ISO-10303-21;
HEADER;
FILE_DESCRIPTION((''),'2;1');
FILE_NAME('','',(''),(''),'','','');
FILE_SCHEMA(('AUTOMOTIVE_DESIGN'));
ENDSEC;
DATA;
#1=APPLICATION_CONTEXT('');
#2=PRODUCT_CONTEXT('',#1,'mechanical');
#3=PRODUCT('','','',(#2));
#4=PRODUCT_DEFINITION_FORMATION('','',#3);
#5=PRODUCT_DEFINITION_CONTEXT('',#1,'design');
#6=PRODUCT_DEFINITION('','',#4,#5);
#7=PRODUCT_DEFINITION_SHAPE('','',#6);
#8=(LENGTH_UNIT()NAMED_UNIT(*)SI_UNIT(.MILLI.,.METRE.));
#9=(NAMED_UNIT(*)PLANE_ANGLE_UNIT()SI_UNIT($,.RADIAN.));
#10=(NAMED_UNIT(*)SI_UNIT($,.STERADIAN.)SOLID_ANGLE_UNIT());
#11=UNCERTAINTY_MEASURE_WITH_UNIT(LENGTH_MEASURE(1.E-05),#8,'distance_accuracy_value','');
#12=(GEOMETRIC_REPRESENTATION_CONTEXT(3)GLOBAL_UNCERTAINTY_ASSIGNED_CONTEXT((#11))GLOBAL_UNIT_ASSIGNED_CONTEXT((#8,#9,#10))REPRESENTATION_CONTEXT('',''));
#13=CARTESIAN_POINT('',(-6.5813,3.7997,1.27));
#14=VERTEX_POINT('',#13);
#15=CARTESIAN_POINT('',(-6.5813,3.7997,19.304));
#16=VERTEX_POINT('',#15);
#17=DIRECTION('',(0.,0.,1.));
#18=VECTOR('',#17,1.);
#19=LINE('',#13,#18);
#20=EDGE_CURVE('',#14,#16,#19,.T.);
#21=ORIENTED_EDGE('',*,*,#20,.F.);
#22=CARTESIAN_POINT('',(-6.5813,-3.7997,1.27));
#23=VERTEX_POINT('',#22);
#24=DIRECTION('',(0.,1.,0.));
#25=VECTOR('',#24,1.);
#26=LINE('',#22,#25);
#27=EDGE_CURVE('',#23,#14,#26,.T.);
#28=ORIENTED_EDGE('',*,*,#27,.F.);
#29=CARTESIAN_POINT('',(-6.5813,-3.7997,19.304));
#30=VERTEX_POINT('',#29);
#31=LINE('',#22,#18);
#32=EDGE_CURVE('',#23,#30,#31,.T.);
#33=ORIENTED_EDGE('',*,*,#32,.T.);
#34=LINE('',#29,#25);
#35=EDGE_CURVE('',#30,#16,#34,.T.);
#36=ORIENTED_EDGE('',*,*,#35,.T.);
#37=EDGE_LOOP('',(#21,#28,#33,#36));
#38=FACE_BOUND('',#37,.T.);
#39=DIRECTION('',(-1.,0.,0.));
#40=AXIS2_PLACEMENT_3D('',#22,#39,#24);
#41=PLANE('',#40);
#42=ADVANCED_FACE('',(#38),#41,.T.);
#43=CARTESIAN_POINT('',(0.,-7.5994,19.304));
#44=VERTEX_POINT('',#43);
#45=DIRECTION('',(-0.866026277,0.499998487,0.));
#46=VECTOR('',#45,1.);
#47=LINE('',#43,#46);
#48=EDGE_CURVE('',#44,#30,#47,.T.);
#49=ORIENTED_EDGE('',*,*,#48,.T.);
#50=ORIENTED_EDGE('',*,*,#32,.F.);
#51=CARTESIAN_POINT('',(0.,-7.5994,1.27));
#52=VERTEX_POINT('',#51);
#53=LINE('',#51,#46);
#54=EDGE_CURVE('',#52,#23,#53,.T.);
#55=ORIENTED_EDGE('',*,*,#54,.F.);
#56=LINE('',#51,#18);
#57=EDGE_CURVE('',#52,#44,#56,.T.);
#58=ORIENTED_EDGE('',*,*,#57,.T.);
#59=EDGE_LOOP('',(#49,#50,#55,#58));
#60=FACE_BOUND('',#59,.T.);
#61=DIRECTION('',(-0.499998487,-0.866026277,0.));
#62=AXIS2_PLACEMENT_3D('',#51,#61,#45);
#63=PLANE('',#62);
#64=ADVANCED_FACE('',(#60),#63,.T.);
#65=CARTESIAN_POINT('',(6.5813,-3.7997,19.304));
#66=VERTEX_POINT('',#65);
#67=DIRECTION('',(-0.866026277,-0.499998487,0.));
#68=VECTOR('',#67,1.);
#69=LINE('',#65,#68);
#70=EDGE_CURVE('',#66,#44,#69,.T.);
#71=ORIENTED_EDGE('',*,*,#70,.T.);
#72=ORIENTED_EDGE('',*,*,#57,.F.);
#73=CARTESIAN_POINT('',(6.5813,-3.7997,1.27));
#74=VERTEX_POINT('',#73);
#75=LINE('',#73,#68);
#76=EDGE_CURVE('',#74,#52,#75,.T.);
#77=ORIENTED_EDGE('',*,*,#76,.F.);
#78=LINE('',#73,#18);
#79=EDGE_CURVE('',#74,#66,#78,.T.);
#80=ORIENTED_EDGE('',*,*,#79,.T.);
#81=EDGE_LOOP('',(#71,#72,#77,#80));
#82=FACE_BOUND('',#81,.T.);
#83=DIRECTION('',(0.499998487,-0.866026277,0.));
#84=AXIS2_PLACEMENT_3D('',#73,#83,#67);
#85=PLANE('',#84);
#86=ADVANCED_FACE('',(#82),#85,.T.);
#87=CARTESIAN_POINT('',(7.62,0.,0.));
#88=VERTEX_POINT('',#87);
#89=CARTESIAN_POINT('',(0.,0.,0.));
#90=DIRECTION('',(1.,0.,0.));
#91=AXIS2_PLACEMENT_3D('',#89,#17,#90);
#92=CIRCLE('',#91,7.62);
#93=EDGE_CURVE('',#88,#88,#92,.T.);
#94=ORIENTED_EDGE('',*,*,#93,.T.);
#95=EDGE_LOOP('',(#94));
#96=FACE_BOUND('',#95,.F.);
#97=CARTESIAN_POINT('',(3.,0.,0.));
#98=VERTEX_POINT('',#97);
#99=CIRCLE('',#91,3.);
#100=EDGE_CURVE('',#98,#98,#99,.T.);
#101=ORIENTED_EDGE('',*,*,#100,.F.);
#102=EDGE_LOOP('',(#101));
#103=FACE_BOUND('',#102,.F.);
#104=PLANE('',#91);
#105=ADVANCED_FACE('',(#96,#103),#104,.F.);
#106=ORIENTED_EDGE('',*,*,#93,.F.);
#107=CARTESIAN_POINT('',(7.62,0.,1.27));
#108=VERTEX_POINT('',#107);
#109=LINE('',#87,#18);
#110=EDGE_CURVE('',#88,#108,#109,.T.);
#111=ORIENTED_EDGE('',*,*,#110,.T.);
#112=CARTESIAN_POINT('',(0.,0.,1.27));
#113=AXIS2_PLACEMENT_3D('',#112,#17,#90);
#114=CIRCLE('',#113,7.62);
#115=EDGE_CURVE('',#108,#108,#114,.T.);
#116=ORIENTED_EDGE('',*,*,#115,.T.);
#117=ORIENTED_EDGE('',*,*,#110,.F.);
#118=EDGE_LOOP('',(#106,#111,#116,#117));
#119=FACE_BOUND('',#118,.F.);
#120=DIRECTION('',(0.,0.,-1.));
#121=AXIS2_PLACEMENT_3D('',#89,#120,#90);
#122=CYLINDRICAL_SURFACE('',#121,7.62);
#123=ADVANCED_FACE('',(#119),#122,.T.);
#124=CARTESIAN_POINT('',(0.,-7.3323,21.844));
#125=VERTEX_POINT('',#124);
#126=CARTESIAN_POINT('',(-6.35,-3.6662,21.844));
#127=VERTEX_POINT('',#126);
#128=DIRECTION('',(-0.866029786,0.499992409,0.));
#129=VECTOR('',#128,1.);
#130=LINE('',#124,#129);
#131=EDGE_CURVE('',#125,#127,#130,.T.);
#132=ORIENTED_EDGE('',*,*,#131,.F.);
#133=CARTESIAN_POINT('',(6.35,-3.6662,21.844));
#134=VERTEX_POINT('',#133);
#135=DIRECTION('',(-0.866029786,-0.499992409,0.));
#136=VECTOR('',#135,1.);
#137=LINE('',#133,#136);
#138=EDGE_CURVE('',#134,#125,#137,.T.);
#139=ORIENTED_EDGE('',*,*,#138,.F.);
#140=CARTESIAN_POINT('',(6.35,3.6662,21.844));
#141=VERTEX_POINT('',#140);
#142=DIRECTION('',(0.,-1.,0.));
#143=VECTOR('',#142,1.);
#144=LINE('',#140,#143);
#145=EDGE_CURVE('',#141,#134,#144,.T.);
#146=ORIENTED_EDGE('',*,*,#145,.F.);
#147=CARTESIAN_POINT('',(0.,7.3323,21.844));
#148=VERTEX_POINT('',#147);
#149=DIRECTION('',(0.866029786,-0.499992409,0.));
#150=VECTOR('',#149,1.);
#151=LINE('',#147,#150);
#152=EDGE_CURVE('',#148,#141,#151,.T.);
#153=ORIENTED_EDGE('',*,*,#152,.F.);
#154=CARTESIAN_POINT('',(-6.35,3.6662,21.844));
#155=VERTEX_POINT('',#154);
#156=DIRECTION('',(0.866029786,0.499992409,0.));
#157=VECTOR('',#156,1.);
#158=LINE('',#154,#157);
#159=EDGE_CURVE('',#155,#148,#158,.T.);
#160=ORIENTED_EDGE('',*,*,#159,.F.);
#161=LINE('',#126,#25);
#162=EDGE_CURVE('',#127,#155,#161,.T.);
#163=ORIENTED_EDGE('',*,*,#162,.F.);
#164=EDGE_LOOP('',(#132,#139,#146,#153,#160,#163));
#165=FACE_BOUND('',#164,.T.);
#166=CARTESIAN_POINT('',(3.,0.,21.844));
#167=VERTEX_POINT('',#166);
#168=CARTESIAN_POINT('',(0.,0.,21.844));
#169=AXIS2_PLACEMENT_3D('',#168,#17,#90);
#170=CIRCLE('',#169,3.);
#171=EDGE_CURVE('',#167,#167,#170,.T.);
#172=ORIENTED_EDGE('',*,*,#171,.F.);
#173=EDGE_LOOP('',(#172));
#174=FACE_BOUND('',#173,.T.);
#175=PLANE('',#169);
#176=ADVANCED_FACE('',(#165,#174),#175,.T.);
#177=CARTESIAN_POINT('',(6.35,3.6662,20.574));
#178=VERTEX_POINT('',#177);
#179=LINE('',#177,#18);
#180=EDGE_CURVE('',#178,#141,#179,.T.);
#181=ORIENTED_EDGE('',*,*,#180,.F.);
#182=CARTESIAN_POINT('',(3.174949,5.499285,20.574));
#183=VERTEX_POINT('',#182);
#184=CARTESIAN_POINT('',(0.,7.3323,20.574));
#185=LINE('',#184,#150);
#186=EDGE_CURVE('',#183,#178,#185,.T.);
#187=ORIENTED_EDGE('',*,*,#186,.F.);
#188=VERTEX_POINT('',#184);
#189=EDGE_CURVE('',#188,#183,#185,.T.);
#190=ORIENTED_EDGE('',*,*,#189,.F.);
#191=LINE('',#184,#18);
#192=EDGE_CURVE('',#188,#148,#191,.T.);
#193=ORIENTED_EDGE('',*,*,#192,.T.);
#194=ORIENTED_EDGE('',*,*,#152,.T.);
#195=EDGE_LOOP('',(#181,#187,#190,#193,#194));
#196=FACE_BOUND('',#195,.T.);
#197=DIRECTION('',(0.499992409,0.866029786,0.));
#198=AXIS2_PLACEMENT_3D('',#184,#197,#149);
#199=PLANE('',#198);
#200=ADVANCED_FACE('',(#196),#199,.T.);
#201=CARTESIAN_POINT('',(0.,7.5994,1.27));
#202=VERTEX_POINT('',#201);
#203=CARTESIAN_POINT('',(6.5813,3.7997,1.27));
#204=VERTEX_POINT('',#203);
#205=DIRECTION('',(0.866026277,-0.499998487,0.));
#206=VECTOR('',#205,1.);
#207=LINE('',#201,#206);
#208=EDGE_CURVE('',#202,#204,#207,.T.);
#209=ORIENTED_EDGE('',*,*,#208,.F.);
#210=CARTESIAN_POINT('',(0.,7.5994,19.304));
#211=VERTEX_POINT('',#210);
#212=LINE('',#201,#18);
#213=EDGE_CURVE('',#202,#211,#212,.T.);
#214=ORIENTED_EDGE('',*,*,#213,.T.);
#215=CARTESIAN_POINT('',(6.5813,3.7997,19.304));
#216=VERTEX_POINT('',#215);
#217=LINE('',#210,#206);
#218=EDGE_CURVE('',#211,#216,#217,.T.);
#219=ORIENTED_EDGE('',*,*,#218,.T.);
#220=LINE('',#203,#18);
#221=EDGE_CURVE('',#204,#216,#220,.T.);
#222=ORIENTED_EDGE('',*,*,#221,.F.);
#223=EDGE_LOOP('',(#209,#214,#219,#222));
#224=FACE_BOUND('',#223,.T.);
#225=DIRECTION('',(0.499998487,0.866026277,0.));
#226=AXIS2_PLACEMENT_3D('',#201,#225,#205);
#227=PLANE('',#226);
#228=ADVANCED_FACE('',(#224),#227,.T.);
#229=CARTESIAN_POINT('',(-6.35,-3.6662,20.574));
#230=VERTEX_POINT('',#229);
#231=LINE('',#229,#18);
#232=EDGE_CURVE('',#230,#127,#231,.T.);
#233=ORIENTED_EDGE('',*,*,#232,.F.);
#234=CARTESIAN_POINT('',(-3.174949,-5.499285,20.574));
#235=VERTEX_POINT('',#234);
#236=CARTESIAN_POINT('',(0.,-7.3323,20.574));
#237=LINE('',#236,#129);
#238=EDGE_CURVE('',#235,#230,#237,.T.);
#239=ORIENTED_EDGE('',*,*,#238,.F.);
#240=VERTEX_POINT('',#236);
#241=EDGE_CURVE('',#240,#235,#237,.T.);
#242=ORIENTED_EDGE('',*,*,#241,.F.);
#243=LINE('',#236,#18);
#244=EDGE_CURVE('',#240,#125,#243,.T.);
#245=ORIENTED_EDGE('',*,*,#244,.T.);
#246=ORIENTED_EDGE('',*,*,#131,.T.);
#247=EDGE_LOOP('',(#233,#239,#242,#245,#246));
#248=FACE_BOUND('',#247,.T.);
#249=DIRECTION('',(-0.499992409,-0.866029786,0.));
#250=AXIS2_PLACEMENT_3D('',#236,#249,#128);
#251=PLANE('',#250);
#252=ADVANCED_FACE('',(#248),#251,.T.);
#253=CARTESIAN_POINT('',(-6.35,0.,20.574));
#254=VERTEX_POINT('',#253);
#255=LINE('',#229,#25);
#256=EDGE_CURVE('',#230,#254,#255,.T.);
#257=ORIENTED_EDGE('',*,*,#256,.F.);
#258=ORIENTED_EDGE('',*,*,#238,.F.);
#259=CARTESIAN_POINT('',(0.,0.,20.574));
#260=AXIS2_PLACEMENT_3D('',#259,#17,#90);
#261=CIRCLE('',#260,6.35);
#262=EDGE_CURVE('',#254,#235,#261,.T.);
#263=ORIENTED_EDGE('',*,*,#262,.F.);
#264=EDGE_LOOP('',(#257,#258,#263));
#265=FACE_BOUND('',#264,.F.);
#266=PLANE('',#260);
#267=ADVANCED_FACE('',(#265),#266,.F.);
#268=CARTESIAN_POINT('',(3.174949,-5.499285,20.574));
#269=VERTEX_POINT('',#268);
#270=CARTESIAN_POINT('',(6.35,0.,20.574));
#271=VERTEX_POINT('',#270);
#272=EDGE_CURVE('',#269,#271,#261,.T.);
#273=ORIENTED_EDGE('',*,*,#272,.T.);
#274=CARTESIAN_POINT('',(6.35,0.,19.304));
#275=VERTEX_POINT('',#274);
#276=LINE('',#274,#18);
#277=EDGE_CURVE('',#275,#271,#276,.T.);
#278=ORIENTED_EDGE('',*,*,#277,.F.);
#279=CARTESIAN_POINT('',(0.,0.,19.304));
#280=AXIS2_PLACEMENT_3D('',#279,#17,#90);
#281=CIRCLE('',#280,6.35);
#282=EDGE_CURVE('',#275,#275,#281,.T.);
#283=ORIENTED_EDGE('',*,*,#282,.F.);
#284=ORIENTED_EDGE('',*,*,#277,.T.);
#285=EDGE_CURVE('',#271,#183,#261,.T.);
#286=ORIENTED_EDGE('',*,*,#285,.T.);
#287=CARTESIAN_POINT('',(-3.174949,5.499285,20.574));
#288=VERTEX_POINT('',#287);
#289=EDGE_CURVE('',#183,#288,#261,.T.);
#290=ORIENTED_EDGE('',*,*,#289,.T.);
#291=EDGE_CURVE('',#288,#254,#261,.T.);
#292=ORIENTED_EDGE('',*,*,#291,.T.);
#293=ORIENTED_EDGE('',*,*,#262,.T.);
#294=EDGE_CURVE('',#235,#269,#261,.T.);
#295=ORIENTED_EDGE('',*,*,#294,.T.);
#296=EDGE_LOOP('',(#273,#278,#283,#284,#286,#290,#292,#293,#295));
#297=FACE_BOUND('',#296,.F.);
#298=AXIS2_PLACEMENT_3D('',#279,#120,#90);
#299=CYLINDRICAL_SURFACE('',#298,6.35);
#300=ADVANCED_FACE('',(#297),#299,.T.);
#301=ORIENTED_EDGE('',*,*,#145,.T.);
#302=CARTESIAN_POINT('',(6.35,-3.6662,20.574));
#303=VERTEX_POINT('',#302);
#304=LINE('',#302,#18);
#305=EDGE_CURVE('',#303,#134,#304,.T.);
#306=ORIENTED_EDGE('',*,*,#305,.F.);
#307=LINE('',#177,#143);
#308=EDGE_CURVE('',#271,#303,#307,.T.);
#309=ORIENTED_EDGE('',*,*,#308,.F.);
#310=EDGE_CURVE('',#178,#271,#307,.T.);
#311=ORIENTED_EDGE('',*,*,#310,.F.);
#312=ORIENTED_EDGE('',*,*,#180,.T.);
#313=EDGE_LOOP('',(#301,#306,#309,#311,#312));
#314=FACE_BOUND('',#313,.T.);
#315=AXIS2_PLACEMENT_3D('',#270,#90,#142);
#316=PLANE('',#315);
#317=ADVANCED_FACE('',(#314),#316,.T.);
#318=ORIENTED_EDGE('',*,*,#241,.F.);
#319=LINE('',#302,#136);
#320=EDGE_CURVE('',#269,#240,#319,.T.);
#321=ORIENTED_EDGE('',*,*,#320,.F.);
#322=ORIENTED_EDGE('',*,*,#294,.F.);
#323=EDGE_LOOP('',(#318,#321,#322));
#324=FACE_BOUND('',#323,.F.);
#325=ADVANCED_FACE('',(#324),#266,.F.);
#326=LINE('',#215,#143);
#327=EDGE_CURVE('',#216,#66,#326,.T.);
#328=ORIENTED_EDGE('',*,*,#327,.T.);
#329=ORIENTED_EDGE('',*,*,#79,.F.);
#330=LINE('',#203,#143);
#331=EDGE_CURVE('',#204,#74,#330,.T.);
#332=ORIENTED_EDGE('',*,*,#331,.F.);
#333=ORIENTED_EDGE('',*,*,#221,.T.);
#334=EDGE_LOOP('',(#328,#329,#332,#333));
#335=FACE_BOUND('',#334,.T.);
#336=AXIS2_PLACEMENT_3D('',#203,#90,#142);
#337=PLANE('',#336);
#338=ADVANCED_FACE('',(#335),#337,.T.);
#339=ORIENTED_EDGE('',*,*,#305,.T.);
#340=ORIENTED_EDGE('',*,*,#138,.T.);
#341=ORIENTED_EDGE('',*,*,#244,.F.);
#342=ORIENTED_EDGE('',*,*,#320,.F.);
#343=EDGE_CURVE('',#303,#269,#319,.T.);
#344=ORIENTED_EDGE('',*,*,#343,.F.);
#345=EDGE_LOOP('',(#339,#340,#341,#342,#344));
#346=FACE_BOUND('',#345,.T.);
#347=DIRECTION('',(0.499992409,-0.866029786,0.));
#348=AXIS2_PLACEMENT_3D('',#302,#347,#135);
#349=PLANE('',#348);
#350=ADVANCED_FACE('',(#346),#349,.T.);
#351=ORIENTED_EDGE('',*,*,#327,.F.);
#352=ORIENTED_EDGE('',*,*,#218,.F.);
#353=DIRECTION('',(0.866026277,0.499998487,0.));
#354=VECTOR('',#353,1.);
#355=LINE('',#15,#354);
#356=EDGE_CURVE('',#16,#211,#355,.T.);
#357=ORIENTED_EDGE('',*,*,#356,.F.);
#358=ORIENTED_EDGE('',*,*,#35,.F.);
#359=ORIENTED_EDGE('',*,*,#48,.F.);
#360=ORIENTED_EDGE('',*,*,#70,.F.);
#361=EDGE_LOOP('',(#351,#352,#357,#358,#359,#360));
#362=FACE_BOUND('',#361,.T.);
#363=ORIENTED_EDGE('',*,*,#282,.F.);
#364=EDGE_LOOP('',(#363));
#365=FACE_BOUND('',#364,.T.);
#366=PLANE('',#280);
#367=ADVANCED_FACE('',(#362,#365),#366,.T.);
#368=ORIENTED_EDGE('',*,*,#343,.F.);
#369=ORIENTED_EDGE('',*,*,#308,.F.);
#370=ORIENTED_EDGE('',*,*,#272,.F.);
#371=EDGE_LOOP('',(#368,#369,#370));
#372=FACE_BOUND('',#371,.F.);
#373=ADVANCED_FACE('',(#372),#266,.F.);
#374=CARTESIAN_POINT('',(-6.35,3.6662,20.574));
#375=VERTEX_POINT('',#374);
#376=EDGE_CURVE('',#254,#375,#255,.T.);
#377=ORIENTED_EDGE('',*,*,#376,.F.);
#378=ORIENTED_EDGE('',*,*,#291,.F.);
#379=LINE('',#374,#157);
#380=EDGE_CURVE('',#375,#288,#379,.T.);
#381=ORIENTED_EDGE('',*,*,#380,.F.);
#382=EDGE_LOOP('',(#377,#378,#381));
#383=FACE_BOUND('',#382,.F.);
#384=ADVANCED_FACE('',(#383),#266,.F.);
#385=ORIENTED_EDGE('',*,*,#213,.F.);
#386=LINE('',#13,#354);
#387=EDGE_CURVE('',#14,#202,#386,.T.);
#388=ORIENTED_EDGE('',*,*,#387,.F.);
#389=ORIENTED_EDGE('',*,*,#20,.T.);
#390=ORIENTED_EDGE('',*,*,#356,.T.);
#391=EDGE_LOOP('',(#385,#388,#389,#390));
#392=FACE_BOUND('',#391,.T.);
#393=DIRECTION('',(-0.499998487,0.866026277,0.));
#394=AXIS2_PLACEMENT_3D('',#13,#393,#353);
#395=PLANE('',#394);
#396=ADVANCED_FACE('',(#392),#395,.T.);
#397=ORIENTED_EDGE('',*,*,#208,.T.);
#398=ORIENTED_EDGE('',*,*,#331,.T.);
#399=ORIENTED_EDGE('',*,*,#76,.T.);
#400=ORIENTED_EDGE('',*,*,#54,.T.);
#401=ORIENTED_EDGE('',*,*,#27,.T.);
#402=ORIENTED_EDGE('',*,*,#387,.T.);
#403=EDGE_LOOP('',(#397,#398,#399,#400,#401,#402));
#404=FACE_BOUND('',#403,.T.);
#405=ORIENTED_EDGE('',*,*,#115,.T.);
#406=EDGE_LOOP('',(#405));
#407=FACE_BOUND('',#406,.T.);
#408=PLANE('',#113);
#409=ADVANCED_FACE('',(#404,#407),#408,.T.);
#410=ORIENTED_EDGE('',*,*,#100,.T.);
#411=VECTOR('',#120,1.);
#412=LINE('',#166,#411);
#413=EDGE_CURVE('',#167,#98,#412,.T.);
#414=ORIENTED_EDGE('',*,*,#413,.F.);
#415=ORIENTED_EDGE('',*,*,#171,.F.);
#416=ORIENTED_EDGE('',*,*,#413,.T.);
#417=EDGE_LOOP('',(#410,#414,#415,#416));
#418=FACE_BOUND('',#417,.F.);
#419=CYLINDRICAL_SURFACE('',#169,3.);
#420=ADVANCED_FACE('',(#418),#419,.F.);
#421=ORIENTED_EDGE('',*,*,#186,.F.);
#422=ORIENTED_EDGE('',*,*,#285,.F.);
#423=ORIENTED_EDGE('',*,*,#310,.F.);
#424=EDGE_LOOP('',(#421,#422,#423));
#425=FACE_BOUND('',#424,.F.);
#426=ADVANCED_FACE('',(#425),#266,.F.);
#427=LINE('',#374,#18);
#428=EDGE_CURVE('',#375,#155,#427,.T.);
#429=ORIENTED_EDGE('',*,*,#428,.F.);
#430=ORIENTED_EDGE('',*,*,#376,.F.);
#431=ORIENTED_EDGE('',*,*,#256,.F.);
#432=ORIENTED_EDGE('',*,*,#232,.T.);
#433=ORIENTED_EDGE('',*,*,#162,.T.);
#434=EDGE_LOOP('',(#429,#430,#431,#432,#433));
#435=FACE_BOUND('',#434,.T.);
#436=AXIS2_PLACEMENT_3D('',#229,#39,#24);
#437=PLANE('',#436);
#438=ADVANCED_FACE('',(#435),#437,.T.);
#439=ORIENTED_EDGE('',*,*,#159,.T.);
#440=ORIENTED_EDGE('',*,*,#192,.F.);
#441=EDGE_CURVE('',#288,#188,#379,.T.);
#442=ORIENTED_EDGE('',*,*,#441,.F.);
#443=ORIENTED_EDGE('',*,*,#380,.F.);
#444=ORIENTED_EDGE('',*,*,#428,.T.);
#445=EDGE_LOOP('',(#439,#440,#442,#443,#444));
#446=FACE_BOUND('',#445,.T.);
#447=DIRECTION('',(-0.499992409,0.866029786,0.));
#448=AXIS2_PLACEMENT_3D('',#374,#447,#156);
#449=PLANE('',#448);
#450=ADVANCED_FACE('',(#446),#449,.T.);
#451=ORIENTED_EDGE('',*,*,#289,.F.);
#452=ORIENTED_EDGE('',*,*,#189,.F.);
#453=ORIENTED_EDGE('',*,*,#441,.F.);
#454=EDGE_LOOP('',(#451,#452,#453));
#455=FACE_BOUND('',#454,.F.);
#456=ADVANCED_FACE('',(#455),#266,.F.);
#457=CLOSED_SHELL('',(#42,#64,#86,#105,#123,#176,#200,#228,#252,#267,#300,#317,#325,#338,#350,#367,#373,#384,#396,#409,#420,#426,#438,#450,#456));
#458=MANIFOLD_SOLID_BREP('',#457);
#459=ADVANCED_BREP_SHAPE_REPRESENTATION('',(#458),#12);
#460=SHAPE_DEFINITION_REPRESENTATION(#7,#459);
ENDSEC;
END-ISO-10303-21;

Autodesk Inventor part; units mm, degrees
ref_plane "XY Plane" through (0, 0, 0) normal (0, 0, 1) x (1, 0, 0)
sketch "Sketch3" plane through (0, 0, 0) normal (0, 0, 1) x (1, 0, 0)
  circle A0 centre (0, 0) radius 7.62
  dimension "d3" = 15.24
extrude "Extrusion2" add sketch "Sketch3" along normal blind 1.27
sketch "Sketch4" plane through (0, 0, 1.27) normal (0, 0, 1) x (1, 0, 0)
  line L0 (0, 7.5994) -> (6.5813, 3.7997)
  line L1 (6.5813, 3.7997) -> (6.5813, -3.7997)
  line L2 (6.5813, -3.7997) -> (0, -7.5994)
  line L3 (0, -7.5994) -> (-6.5813, -3.7997)
  line L4 (-6.5813, -3.7997) -> (-6.5813, 3.7997)
  line L5 (-6.5813, 3.7997) -> (0, 7.5994)
  point P0 (0, 0)
  point P1 (0, 0)
extrude "Extrusion3" add sketch "Sketch4" along normal blind 18.034
sketch "Sketch5" plane through (0, 0, 19.304) normal (0, 0, 1) x (1, 0, 0)
  circle A0 centre (0, 0) radius 6.35
  dimension "d8" = 12.7
extrude "Extrusion4" add sketch "Sketch5" along normal blind 1.27
sketch "Sketch6" plane through (0, 0, 20.574) normal (0, 0, 1) x (1, 0, 0)
  circle A0 centre (0, 0) radius 6.35 projected
  line L0 (6.5813, 3.7997) -> (6.5813, -3.7997) projected
  line L1 (6.5813, -3.7997) -> (0, -7.5994) projected
  line L2 (0, -7.5994) -> (-6.5813, -3.7997) projected
  line L3 (-6.5813, -3.7997) -> (-6.5813, 3.7997) projected
  line L4 (-6.5813, 3.7997) -> (0, 7.5994) projected
  line L5 (0, 7.5994) -> (6.5813, 3.7997) projected
  circle A1 centre (0, 0) radius 7.62 projected
  line L6 (0, 7.5994) -> (6.5813, 3.7997) projected
  line L7 (6.35, 3.6662) -> (6.35, -3.6662)
  line L8 (6.35, -3.6662) -> (0, -7.3323)
  line L9 (0, -7.3323) -> (-6.35, -3.6662)
  line L10 (-6.35, -3.6662) -> (-6.35, 3.6662)
  line L11 (-6.35, 3.6662) -> (0, 7.3323)
  line L12 (0, 7.3323) -> (6.35, 3.6662)
  point P0 (3.175, 5.4993)
extrude "Extrusion5" add sketch "Sketch6" along normal blind 1.27 contours A0 | L7 L8 A0 | A0 L12 L7 | A0 L11 L12 | L8 L9 A0 | A0 L10 L11 | L9 L10 A0
sketch "Sketch7" plane through (0, 0, 21.844) normal (0, 0, 1) x (1, 0, 0)
  circle A0 centre (0, 0) radius 3
  dimension "d13" = 6
extrude "Extrusion6" cut sketch "Sketch7" against normal up to next
ref_plane "Work Plane1" through (0, 0, 0) normal (0, 1, 0) x (-1, 0, 0)
ref_plane "Work Plane2" through (0, 0, 0) normal (1, 0, 0) x (0, 1, 0)
properties part number "BaneBots-T40-6mm-Shaft-Adapter"
